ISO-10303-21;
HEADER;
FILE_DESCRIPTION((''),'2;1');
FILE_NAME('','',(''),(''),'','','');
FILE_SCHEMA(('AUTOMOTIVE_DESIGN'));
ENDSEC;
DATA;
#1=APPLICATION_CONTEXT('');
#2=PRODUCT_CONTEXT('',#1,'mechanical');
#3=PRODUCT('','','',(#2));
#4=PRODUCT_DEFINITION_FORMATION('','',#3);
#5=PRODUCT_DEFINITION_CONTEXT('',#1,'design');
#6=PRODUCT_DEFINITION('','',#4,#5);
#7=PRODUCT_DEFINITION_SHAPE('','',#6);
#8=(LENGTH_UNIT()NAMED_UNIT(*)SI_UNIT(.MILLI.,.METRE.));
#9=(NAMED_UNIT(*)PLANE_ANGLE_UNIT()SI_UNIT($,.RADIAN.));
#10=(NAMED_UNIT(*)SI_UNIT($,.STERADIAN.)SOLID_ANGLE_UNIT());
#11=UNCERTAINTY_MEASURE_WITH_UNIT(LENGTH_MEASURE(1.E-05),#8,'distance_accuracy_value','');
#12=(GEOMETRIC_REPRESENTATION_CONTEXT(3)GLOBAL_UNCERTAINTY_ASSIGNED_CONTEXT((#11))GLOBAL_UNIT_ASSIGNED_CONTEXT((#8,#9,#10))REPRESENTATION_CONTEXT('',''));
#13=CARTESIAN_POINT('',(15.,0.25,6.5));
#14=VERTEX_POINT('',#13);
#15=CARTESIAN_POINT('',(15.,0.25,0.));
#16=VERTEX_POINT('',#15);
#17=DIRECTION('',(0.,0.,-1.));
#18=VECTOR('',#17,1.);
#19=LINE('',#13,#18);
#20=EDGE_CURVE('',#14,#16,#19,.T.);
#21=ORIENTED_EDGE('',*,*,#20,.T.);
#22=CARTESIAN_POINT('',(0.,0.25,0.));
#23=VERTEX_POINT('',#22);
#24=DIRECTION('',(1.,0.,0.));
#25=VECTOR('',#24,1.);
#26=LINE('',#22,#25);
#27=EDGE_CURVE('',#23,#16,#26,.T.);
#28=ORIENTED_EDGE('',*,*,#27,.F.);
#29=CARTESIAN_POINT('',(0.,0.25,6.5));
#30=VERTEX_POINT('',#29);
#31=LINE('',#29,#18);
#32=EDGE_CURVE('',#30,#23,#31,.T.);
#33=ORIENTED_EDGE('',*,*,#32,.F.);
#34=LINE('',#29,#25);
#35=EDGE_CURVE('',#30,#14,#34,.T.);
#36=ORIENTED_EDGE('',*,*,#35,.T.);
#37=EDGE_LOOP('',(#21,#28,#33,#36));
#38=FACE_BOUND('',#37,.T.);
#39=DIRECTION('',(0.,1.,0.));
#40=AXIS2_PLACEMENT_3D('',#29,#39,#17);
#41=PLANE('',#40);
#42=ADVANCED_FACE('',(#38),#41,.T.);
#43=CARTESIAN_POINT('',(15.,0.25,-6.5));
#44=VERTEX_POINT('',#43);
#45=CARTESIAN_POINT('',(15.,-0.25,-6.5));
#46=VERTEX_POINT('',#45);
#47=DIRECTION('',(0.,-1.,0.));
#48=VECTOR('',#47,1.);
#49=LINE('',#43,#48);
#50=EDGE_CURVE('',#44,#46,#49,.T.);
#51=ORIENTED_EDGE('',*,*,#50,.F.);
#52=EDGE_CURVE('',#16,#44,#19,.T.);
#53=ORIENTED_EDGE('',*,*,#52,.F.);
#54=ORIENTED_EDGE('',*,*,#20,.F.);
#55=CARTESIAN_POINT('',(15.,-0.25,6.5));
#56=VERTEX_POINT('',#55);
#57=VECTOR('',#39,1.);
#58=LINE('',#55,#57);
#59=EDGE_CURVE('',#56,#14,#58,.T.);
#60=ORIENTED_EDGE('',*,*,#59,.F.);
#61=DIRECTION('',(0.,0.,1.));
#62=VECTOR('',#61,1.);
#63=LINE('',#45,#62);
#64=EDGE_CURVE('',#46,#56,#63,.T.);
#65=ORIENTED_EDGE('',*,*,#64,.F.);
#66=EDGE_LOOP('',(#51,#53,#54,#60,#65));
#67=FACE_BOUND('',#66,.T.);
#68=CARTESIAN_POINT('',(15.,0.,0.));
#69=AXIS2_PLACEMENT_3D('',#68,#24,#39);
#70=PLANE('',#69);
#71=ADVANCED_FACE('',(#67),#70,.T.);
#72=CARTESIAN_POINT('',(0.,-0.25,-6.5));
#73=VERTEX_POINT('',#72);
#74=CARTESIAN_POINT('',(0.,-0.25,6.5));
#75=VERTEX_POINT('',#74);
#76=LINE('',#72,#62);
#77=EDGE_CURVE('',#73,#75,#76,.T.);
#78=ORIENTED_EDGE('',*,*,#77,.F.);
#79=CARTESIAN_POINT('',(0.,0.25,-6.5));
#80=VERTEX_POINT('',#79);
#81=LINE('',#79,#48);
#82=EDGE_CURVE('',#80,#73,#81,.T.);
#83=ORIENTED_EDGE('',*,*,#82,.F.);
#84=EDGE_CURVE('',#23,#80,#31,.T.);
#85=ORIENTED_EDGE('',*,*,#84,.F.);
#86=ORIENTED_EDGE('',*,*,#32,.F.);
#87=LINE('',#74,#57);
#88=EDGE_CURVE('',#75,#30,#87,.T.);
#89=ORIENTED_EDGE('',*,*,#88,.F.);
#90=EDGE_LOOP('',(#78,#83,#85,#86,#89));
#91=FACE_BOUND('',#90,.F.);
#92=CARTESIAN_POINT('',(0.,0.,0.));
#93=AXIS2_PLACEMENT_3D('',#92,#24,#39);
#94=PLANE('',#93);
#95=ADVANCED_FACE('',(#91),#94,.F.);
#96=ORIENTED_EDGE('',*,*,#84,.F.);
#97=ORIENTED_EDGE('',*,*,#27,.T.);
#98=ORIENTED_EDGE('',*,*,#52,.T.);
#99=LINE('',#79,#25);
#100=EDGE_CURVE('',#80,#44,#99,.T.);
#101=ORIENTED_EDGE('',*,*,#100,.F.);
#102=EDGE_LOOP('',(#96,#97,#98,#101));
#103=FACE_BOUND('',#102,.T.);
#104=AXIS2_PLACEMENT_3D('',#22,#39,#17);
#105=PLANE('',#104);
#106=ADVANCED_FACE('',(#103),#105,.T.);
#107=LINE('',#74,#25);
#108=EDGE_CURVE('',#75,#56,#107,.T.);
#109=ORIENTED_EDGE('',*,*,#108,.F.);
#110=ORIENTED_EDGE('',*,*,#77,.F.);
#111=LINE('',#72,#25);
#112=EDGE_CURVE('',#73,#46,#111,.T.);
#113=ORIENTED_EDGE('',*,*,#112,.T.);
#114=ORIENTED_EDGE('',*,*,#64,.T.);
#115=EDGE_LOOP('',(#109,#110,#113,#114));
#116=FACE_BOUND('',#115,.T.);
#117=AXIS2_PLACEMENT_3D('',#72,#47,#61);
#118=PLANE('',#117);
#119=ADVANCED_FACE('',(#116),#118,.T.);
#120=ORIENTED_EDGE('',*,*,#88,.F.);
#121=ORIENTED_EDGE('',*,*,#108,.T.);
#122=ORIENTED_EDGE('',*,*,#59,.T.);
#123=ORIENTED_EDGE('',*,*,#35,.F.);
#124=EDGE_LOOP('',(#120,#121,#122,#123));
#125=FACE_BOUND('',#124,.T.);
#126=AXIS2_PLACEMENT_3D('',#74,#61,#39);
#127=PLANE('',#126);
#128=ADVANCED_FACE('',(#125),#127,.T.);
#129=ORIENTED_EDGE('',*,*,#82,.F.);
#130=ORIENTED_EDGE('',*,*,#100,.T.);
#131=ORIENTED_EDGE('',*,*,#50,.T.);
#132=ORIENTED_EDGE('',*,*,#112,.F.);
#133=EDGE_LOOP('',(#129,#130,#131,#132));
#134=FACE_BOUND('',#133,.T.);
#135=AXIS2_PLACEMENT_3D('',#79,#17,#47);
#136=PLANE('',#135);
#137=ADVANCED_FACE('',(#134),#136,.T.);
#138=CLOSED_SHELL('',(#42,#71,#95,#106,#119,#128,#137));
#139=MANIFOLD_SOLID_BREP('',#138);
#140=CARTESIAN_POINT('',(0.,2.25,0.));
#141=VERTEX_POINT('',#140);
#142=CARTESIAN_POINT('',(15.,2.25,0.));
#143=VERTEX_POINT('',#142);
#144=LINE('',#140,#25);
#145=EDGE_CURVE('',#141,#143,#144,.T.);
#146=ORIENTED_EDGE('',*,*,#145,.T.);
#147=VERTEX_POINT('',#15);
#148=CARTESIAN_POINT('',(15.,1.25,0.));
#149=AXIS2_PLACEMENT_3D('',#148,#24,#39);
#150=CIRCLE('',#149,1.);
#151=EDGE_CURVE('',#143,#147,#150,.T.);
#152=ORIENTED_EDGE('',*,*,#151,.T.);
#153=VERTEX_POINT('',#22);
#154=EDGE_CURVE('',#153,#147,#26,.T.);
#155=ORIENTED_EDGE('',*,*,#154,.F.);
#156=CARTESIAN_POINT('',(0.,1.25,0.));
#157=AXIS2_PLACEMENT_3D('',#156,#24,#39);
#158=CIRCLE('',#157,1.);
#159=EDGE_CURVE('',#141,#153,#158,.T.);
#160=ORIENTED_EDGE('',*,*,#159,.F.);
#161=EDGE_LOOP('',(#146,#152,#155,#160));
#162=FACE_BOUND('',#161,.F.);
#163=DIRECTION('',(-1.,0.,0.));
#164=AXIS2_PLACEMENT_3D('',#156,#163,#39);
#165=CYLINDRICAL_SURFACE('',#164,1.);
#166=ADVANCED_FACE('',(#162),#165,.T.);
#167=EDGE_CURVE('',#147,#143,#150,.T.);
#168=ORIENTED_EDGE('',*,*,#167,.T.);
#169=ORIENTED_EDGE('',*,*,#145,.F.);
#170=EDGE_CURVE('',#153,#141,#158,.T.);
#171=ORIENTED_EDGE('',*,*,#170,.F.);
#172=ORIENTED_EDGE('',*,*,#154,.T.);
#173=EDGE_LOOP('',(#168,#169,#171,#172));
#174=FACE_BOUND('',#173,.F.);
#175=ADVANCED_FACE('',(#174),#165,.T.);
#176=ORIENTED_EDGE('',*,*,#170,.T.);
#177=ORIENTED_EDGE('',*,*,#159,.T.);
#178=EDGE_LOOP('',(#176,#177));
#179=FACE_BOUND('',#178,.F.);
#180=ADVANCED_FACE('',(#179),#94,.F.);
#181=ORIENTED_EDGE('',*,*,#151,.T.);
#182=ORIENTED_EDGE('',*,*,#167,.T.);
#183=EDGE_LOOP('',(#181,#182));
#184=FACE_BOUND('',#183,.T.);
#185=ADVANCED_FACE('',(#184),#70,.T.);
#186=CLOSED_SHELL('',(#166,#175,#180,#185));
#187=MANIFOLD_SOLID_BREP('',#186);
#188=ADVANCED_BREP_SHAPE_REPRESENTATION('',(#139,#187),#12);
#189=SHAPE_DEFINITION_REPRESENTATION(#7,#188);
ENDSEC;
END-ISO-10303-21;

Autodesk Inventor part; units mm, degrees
ref_plane "YZ Plane" through (0, 0, 0) normal (1, 0, 0) x (0, 1, 0)
ref_plane "XZ Plane" through (0, 0, 0) normal (0, 1, 0) x (-1, 0, 0)
ref_plane "XY Plane" through (0, 0, 0) normal (0, 0, 1) x (1, 0, 0)
sketch "Sketch1" plane through (0, 0, 0) normal (1, 0, 0) x (0, 1, 0)
  line L0 (-0.25, 6.5) -> (0.25, 6.5)
  line L1 (0.25, 6.5) -> (0.25, -6.5)
  line L2 (0.25, -6.5) -> (-0.25, -6.5)
  line L3 (-0.25, -6.5) -> (-0.25, 6.5)
  line L4 (-0.25, 6.5) -> (0.25, -6.5) construction
  line L5 (0.25, 6.5) -> (-0.25, -6.5) construction
  circle A0 centre (1.25, 0) radius 1
  point P0 (0, 0)
  point P1 (0, 0)
  dimension "d0" = 0.5
  dimension "d1" = 13
  dimension "d2" = 2
extrude "Extrusion1" add sketch "Sketch1" along normal blind 15
properties part number "hinge" material "Stainless Steel"
